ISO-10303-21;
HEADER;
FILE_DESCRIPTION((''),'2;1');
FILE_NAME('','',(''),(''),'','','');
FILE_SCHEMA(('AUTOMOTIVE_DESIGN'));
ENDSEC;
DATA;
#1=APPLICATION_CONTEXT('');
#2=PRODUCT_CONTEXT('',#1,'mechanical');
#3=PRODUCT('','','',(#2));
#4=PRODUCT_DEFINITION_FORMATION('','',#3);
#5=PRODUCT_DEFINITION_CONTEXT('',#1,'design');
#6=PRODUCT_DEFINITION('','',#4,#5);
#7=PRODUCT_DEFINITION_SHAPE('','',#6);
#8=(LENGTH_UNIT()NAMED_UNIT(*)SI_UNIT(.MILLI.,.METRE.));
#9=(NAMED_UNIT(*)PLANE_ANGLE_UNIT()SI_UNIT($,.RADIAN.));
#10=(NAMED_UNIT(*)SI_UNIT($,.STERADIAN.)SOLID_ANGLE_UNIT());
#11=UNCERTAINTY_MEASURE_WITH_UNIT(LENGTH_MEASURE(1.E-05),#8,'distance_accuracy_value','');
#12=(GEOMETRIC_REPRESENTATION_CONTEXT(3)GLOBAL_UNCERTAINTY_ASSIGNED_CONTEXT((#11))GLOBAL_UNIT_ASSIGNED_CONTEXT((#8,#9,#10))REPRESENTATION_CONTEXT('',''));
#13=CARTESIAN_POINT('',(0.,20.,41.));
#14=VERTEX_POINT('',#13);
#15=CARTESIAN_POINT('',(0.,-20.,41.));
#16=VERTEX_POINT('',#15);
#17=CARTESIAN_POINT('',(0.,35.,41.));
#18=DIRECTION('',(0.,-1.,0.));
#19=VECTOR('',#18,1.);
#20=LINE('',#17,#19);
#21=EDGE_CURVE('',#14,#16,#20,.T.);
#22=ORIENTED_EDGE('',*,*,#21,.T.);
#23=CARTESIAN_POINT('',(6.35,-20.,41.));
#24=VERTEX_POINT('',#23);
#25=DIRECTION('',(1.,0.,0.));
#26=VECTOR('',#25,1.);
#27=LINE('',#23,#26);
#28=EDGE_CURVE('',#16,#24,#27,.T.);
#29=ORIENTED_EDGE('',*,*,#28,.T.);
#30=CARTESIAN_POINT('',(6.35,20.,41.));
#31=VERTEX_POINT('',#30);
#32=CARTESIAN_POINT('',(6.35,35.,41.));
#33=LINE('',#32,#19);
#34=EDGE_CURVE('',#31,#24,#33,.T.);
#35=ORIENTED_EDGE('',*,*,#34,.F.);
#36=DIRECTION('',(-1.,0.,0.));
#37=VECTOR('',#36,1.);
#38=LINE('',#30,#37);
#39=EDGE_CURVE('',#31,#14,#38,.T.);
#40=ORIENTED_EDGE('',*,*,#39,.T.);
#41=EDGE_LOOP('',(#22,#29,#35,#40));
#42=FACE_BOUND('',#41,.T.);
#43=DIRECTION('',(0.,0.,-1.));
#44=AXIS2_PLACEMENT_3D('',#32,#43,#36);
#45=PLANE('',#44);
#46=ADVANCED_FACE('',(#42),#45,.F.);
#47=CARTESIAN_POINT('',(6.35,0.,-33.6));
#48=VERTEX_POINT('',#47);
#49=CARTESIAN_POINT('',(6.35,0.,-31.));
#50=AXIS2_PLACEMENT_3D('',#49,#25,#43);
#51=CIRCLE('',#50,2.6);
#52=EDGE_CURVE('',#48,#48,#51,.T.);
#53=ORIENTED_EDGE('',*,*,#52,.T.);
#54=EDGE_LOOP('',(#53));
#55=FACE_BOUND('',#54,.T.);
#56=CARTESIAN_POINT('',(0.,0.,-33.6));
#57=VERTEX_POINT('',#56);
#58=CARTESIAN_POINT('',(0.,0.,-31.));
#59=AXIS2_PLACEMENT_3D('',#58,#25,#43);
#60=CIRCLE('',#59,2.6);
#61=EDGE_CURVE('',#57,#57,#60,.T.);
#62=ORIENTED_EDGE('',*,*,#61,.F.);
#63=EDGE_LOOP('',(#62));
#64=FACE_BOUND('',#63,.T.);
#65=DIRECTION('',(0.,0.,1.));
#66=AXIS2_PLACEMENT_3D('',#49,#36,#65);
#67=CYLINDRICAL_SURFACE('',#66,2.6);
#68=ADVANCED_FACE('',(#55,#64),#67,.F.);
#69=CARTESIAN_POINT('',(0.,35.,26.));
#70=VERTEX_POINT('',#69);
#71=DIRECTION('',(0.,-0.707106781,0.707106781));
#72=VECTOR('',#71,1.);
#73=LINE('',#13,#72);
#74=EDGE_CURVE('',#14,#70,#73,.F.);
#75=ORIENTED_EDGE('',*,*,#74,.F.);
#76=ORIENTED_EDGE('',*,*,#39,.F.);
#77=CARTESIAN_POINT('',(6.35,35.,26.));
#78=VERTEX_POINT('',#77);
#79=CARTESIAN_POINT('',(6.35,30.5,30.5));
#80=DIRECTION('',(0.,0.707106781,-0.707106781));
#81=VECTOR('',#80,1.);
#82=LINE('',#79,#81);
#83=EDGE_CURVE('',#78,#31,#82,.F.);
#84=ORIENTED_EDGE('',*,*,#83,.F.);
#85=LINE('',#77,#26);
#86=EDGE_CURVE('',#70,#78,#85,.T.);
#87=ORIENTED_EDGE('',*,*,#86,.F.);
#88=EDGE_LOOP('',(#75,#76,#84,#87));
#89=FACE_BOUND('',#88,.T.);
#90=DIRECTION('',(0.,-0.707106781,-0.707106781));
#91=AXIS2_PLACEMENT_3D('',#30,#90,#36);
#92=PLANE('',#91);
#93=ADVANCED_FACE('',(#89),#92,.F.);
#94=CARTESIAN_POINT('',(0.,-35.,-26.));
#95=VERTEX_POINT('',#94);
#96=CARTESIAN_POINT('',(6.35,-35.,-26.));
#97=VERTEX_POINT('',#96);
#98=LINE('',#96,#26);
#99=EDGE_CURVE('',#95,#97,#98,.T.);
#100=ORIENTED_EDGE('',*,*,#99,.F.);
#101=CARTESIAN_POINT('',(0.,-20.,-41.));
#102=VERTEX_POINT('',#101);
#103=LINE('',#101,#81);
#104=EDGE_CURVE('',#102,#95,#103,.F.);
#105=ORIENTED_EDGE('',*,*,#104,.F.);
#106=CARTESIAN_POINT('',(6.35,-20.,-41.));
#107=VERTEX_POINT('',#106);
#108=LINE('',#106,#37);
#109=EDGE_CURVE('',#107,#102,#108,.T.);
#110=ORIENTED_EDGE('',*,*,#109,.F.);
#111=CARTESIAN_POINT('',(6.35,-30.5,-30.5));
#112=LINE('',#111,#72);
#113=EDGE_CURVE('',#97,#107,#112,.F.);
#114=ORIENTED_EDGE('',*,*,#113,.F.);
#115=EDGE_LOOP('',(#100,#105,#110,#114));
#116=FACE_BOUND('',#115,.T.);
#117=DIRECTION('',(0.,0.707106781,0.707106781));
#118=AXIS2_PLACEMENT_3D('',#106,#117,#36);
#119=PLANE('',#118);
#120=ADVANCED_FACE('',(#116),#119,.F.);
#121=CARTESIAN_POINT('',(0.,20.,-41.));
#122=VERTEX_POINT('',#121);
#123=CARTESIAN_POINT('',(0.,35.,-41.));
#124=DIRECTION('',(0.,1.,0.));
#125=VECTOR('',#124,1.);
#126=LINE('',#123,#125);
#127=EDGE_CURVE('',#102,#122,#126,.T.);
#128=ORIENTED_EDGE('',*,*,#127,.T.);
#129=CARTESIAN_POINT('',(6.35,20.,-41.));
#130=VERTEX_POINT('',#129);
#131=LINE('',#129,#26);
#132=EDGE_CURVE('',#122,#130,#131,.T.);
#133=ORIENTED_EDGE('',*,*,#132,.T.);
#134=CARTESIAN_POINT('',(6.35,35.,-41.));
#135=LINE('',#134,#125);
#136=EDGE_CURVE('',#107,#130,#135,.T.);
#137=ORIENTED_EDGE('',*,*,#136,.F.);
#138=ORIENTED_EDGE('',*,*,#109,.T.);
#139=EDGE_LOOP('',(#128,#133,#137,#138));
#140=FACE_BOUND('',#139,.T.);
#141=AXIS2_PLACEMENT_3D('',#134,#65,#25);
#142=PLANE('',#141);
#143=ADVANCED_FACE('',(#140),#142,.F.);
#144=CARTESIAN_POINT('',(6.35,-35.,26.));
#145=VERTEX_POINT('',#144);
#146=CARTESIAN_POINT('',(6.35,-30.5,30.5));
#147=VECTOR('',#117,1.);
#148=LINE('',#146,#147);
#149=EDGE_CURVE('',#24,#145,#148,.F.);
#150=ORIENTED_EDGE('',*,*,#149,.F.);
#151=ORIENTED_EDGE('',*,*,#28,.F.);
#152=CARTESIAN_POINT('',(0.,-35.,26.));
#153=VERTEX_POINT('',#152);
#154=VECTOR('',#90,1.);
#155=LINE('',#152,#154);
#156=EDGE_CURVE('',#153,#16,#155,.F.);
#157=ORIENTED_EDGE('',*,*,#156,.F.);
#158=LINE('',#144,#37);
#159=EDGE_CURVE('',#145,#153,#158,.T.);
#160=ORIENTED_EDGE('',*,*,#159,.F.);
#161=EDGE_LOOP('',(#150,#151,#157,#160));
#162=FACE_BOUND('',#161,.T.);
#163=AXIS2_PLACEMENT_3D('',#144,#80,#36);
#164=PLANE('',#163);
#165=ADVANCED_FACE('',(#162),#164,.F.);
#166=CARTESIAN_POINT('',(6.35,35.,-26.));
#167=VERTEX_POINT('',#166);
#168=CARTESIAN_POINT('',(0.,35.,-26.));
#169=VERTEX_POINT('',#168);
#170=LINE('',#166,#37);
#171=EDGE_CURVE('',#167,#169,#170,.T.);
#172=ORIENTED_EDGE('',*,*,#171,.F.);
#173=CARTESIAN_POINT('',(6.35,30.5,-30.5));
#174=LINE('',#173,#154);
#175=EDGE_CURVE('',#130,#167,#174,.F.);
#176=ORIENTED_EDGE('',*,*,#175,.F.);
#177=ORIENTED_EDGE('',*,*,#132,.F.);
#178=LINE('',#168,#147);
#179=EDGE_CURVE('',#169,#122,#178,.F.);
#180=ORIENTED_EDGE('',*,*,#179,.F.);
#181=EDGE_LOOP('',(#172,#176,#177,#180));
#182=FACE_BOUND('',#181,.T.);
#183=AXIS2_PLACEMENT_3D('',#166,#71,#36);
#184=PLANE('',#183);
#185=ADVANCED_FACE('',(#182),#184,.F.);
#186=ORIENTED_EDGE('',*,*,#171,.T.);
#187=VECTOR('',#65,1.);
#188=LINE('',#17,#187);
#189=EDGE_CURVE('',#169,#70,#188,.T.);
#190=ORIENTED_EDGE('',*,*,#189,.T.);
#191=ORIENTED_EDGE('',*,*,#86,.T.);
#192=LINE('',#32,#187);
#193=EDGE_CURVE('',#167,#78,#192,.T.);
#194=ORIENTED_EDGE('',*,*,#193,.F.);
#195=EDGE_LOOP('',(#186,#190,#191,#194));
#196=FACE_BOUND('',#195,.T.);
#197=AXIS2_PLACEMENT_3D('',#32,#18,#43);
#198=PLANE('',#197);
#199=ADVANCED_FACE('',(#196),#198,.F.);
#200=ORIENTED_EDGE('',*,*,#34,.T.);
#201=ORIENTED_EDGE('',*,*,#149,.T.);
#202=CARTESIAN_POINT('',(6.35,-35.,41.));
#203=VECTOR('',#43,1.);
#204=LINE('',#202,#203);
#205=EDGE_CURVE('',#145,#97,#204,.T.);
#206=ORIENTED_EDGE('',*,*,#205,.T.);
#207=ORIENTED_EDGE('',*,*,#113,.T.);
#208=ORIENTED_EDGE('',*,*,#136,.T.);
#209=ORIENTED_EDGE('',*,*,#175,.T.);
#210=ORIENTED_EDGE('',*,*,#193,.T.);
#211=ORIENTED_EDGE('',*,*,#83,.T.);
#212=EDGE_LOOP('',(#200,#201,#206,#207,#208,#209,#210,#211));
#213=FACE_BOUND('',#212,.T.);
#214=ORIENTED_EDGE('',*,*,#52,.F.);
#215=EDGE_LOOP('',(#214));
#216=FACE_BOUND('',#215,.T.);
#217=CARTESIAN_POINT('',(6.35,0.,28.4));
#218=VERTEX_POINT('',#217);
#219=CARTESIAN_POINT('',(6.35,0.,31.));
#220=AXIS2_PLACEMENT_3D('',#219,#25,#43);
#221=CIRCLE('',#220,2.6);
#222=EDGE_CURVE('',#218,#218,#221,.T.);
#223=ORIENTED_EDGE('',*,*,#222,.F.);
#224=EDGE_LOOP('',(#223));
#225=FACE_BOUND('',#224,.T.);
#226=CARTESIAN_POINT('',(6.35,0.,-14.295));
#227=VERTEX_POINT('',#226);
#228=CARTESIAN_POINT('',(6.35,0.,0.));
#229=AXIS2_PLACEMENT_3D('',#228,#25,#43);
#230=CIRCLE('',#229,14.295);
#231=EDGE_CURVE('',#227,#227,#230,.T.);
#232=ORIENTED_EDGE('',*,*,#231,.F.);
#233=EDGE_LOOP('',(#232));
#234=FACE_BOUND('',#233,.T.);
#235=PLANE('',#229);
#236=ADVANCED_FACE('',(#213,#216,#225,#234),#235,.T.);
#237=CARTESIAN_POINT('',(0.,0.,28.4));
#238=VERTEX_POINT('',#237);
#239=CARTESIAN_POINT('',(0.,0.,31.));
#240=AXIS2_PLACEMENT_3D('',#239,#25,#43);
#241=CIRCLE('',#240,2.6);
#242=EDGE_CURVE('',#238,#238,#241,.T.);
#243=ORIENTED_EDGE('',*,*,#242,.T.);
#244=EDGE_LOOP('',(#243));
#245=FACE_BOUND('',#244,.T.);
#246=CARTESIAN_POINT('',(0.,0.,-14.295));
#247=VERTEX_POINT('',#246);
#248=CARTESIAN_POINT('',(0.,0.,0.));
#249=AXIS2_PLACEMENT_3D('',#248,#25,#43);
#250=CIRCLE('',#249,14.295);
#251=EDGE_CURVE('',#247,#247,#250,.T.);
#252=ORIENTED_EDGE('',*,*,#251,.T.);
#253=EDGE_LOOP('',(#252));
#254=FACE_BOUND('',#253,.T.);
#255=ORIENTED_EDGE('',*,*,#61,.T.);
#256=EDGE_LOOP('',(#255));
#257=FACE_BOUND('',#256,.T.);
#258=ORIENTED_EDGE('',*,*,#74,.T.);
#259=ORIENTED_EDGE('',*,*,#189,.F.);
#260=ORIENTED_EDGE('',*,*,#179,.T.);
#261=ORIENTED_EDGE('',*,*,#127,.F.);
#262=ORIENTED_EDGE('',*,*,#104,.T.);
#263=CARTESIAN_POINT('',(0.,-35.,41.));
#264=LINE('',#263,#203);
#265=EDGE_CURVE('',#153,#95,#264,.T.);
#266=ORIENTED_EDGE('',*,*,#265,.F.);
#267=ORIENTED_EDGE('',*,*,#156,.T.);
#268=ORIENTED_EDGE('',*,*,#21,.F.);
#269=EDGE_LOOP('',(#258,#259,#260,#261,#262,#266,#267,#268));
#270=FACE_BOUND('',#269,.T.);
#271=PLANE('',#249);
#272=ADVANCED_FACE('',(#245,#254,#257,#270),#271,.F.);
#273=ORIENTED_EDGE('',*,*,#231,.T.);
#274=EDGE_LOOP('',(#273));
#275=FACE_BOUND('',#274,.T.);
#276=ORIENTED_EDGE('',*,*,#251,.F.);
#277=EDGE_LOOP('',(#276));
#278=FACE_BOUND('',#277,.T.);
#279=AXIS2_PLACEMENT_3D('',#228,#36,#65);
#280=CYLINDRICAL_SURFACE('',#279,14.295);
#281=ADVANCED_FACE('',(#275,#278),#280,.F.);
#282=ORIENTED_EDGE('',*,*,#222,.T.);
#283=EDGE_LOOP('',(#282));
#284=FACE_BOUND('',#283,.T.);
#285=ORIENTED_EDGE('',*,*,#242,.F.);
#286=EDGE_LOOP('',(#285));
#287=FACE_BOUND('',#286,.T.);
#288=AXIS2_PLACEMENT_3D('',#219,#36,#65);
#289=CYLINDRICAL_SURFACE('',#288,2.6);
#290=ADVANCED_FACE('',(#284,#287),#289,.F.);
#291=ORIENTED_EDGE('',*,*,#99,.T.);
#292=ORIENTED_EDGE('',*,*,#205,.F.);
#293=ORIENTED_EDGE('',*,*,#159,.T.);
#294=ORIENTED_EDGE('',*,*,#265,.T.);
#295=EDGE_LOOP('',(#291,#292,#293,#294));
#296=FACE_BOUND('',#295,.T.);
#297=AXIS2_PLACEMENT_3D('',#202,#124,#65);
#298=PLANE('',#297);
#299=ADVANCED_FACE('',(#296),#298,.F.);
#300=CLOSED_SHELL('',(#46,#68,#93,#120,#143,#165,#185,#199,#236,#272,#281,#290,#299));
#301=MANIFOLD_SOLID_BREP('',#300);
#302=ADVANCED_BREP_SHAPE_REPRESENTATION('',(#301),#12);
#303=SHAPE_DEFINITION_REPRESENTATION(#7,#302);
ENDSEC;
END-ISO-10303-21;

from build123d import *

# Parameters (mm, degrees)
SKETCH1_W           = 82
SKETCH1_H           = 70
SKETCH1_R           = 14.295
SKETCH1_R_2         = 2.6
BOSS_EXTRUDE1_DEPTH = 6.35
CHAMFER1_SIZE       = 15


with BuildPart() as part:
    # Sketch1 → Boss-Extrude1 (new body)
    with BuildSketch(Plane(origin=(0, 0, 0), x_dir=(0, 0, -1), z_dir=(1, 0, 0))):
        Rectangle(SKETCH1_W, SKETCH1_H)
        Circle(SKETCH1_R, mode=Mode.SUBTRACT)
        with Locations((-31, 0)):
            Circle(SKETCH1_R_2, mode=Mode.SUBTRACT)
        with Locations((31, 0)):
            Circle(SKETCH1_R_2, mode=Mode.SUBTRACT)
    extrude(amount=BOSS_EXTRUDE1_DEPTH)

    # Chamfer1
    chamfer1_edges = [part.edges().sort_by_distance(p)[0] for p in [
        (3.175, 35, 41),
        (3.175, 35, -41),
        (3.175, -35, -41),
        (3.175, -35, 41),
    ]]
    chamfer(chamfer1_edges, length=CHAMFER1_SIZE)


solid = part.part
